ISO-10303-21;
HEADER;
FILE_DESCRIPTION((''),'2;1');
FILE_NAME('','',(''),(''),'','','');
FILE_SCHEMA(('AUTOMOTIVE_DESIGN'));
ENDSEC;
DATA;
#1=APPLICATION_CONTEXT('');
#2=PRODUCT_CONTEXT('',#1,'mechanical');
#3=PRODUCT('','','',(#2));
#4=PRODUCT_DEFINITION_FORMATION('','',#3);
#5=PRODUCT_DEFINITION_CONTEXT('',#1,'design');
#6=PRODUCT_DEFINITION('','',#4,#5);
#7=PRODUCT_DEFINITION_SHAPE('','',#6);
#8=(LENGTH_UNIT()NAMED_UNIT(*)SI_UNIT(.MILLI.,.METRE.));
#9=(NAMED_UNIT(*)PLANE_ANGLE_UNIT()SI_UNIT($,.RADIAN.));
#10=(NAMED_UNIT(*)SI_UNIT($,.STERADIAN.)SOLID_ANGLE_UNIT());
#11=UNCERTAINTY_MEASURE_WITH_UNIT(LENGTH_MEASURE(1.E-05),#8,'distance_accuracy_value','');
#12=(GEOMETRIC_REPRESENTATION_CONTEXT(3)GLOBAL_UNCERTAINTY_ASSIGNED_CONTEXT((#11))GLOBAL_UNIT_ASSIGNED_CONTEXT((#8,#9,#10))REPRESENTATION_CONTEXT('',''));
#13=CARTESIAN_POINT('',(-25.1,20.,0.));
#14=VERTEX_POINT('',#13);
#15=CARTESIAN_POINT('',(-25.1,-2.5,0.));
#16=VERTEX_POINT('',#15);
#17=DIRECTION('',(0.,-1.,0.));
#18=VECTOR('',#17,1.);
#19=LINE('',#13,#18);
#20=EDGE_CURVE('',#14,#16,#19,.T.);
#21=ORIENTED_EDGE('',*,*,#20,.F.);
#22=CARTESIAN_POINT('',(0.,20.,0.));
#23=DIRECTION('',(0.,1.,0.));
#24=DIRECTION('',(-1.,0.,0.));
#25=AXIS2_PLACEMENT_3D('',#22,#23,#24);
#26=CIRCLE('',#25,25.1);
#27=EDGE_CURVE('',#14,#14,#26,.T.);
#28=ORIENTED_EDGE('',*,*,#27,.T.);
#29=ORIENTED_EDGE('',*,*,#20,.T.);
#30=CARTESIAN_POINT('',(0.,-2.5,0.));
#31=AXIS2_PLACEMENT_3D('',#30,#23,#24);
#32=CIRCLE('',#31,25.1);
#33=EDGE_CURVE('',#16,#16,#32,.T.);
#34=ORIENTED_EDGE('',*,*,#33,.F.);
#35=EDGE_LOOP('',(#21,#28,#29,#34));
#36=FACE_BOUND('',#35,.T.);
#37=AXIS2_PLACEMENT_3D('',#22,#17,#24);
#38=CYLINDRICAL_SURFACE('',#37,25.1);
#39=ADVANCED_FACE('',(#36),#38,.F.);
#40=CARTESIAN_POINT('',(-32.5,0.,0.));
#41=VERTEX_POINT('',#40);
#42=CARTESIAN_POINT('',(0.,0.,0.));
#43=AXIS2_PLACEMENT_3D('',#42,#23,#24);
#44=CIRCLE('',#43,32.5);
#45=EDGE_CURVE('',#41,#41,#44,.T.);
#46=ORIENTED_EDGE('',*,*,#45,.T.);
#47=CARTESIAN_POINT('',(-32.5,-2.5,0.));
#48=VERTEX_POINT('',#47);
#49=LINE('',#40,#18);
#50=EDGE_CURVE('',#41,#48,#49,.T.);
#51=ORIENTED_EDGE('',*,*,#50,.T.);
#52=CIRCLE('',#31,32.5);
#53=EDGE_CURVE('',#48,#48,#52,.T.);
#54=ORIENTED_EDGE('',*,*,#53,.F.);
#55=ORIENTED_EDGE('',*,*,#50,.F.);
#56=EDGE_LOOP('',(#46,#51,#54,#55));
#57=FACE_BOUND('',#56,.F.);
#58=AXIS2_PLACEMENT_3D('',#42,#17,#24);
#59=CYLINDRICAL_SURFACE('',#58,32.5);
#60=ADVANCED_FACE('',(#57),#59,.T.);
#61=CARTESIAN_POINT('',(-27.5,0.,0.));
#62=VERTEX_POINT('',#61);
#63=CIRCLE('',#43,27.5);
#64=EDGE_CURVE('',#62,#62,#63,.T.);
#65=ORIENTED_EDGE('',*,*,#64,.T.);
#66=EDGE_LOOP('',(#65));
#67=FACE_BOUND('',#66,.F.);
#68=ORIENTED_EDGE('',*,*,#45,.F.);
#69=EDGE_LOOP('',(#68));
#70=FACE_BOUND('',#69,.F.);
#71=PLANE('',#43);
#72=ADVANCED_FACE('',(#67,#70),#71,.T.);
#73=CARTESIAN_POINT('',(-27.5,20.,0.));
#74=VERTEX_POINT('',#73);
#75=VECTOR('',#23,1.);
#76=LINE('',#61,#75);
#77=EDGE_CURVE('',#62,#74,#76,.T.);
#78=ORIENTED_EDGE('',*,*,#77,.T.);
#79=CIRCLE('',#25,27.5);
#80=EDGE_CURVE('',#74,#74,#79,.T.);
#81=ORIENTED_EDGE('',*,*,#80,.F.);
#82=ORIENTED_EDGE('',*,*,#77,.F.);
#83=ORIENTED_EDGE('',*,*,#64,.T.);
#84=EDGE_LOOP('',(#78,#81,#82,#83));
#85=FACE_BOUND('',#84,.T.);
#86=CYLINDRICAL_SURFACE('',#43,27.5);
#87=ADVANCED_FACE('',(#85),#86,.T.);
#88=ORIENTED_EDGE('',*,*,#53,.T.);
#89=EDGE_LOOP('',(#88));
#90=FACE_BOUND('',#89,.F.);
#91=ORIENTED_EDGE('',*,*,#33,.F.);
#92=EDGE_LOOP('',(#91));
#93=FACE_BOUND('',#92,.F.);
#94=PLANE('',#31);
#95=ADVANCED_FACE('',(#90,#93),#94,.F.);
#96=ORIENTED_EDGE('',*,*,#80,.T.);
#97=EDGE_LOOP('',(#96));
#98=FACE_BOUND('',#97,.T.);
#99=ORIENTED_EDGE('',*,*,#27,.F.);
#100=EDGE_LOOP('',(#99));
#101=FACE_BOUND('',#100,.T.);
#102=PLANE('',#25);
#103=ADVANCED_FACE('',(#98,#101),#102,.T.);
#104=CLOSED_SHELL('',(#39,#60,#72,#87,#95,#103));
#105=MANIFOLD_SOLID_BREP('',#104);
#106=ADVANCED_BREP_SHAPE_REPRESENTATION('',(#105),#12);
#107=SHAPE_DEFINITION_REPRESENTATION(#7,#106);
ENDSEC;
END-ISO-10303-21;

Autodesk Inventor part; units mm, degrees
ref_plane "YZ Plane" through (0, 0, 0) normal (1, 0, 0) x (0, 1, 0)
ref_plane "XZ Plane" through (0, 0, 0) normal (0, 1, 0) x (-1, 0, 0)
ref_plane "XY Plane" through (0, 0, 0) normal (0, 0, 1) x (1, 0, 0)
sketch "スケッチ1" plane through (0, 0, 0) normal (0, 0, 1) x (1, 0, 0)
  line L0 (0, 0) -> (0, 21.2524)
  line L1 (-27.5, 20) -> (-25.1, 20)
  line L2 (-25.1, 20) -> (-25.1, 0)
  line L3 (-25.1, 0) -> (-27.5, 0)
  line L4 (-27.5, 0) -> (-27.5, 20)
  line L5 (-25.1, 0) -> (-32.5, 0)
  line L6 (-32.5, 0) -> (-32.5, -2.5)
  line L7 (-32.5, -2.5) -> (-25.1, -2.5)
  line L8 (-25.1, -2.5) -> (-25.1, 0)
  dimension "d0" = 55
  dimension "d1" = 50.2
  dimension "d2" = 20
  dimension "d3" = 2.5
  dimension "d4" = 65
revolve "回転1" add sketch "スケッチ1" angle 360 about axis through (0, 0, 0) along (0, 1, 0)
properties part number "80F-5020"
